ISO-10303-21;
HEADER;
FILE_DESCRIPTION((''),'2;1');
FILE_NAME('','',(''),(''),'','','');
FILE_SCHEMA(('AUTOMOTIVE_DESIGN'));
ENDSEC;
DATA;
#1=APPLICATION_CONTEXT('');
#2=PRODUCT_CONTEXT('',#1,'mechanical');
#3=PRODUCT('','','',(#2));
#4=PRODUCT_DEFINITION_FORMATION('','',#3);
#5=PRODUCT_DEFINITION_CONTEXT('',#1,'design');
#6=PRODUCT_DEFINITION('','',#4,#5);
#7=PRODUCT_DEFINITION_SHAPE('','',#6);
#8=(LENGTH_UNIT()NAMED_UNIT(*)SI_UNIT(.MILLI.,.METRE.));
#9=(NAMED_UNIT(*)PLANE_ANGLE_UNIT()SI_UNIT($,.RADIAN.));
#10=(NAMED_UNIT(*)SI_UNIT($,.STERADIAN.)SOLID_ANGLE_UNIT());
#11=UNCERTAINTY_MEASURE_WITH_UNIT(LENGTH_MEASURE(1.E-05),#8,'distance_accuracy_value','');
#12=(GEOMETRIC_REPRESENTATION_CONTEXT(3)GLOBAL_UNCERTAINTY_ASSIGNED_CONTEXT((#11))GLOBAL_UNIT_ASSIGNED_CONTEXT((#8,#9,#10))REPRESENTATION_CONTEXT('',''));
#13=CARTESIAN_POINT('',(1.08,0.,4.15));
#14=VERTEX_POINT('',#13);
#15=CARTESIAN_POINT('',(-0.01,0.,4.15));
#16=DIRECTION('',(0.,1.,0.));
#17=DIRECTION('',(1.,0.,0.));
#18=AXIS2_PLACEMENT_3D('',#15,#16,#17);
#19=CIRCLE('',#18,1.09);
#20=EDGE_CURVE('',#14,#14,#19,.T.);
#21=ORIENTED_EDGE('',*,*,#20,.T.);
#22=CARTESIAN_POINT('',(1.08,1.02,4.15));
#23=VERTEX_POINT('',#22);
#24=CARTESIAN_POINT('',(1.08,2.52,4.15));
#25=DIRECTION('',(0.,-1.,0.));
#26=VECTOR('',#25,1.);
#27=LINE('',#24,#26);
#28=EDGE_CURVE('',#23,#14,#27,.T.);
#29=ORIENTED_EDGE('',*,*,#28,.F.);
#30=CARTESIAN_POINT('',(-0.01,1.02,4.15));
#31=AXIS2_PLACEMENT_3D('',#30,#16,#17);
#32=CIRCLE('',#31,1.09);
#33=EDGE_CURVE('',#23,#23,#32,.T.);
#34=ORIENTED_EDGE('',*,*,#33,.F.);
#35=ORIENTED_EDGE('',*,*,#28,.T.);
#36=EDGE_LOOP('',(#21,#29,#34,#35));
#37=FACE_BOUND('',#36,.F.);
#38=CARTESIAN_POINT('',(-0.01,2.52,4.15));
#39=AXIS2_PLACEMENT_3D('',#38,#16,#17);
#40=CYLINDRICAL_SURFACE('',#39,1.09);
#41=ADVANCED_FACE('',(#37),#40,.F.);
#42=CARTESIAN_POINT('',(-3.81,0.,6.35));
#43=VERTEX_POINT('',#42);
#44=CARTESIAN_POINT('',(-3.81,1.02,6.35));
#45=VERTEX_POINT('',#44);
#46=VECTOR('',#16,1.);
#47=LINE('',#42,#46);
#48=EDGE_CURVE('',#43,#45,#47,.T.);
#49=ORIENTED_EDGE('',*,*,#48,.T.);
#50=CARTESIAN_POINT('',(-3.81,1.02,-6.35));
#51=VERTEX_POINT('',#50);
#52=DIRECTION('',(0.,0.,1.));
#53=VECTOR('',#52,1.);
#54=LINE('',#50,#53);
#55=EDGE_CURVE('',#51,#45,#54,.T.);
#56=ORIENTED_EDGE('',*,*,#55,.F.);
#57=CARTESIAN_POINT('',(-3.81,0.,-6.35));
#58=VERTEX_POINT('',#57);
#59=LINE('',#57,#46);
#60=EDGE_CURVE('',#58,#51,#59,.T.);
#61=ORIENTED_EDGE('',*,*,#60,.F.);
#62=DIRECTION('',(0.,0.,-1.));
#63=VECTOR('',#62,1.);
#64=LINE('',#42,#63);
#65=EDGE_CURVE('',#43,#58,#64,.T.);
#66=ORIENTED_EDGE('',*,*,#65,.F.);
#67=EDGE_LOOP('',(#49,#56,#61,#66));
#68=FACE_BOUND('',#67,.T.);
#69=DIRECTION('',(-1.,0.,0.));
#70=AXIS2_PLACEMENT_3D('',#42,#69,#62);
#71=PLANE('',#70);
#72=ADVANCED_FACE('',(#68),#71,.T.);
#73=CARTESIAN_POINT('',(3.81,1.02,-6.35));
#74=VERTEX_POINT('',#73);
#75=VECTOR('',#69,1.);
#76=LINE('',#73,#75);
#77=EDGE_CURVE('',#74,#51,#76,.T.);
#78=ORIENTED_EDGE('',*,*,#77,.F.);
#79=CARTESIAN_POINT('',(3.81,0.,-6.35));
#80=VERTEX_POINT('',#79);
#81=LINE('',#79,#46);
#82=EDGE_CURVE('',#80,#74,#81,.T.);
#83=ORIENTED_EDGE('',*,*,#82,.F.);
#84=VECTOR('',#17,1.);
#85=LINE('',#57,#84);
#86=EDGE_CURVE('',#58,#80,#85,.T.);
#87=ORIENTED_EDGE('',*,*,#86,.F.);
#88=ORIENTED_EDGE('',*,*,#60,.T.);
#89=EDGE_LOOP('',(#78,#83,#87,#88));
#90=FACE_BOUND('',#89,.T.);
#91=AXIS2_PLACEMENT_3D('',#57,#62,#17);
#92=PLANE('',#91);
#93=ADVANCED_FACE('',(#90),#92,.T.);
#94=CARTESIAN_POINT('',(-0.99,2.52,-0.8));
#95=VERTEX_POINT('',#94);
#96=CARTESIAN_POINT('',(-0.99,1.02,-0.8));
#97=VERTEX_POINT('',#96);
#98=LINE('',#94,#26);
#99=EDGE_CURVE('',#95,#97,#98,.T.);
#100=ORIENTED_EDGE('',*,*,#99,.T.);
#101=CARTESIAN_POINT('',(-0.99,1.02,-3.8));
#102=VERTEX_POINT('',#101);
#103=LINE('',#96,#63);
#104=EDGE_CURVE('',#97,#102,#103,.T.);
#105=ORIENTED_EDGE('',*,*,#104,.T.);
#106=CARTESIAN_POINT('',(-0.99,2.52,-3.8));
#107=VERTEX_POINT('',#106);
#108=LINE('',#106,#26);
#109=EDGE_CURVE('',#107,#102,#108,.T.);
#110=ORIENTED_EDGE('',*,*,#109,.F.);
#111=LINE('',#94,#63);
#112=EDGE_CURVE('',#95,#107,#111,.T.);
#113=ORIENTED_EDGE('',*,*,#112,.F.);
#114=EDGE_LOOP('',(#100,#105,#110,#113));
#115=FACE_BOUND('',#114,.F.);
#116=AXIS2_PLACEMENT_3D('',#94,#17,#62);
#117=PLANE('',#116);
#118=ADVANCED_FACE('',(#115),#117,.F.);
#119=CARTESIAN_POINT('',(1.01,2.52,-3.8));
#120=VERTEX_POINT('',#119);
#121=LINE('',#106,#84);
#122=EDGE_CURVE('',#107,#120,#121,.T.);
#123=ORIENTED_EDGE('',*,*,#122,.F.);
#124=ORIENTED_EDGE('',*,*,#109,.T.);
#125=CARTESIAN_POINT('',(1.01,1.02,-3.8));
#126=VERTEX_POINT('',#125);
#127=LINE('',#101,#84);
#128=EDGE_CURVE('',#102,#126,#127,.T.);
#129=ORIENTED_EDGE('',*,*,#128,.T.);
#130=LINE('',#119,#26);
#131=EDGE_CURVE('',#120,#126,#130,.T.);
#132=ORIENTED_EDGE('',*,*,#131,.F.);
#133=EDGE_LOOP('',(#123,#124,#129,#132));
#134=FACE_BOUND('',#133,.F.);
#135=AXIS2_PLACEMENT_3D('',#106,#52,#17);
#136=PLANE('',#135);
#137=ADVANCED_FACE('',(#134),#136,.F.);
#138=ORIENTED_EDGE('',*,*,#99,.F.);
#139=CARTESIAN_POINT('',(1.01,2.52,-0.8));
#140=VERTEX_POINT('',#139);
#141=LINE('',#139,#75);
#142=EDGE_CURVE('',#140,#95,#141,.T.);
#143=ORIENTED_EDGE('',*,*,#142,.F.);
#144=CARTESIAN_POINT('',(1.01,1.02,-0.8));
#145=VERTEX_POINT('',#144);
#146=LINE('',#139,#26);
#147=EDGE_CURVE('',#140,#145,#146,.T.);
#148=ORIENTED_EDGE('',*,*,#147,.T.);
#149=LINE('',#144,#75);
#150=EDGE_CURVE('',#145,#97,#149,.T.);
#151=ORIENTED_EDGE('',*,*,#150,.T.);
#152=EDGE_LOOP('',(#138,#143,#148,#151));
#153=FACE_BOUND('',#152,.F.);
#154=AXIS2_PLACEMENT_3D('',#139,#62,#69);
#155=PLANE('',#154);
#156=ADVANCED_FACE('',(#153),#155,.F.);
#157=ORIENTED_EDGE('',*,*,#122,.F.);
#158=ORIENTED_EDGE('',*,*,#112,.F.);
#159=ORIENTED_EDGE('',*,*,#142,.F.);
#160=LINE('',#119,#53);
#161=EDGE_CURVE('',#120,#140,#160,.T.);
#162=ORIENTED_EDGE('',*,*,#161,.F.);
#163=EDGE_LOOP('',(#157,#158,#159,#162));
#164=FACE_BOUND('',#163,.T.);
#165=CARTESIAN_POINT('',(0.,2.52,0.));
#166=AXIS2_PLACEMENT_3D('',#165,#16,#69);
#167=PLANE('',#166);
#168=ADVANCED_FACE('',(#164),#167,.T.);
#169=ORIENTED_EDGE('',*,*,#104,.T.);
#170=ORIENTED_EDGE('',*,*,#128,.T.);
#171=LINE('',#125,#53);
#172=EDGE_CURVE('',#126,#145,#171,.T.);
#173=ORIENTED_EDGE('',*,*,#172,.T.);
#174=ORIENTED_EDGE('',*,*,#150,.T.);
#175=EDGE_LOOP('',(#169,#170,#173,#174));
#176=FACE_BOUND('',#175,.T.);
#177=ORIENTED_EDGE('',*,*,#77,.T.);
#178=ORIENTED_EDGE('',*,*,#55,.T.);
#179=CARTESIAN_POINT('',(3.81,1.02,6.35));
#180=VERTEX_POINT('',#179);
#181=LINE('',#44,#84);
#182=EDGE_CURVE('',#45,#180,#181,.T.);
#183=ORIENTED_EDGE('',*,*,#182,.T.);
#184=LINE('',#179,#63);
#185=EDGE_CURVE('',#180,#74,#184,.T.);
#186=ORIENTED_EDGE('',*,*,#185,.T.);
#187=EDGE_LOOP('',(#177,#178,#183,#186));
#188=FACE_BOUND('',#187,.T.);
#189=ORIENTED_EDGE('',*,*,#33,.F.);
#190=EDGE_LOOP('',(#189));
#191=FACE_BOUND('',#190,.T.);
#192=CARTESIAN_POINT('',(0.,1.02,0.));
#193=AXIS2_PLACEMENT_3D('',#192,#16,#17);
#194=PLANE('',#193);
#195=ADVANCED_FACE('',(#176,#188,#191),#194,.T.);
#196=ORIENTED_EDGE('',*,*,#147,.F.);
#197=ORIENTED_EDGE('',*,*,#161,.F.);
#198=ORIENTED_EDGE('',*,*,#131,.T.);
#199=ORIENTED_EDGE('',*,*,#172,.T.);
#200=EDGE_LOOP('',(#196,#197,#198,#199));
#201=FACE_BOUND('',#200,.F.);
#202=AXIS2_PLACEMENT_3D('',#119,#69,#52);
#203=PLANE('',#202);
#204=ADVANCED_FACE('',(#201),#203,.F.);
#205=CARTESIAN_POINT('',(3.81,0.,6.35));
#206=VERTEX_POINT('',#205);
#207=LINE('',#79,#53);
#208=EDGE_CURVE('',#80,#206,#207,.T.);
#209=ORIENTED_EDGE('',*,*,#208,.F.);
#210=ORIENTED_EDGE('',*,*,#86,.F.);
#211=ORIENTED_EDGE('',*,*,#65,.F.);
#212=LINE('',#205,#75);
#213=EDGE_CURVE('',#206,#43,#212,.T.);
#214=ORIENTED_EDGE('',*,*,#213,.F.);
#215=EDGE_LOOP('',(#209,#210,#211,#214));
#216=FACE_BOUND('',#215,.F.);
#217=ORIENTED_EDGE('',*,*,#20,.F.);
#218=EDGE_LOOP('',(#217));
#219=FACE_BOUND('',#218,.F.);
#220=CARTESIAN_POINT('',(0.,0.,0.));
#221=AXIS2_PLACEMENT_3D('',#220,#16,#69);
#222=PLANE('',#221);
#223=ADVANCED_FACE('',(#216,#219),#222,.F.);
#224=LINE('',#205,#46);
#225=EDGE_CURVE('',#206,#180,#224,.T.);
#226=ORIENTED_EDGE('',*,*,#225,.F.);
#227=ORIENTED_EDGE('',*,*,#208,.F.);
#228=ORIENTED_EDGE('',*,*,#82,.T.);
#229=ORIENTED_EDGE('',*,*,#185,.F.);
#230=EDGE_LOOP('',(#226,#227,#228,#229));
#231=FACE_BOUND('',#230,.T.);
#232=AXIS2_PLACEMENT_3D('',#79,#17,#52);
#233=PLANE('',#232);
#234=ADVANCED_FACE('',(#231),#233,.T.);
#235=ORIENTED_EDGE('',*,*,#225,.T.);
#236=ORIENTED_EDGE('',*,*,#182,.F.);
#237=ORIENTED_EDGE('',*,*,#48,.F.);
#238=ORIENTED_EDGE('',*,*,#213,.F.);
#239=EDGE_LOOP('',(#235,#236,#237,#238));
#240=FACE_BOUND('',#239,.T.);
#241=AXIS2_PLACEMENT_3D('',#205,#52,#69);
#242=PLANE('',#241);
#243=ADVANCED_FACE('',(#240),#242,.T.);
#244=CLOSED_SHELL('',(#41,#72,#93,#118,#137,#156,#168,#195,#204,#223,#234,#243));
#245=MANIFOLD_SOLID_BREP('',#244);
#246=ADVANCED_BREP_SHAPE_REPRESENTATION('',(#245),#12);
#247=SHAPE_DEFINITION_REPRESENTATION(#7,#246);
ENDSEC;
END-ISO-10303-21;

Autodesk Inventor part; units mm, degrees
ref_plane "YZ Plane" through (0, 0, 0) normal (1, 0, 0) x (0, 1, 0)
ref_plane "XZ Plane" through (0, 0, 0) normal (0, 1, 0) x (-1, 0, 0)
ref_plane "XY Plane" through (0, 0, 0) normal (0, 0, 1) x (1, 0, 0)
sketch "Sketch1" plane through (0, 0, 0) normal (0, 1, 0) x (-1, 0, 0)
  line L0 (-3.81, 6.35) -> (3.81, 6.35)
  line L1 (3.81, 6.35) -> (3.81, -6.35)
  line L2 (3.81, -6.35) -> (-3.81, -6.35)
  line L3 (-3.81, -6.35) -> (-3.81, 6.35)
  line L4 (-3.81, 6.35) -> (3.81, -6.35) construction
  line L5 (3.81, 6.35) -> (-3.81, -6.35) construction
  point P0 (0, 0)
  dimension "d0" = 12.7
  dimension "d1" = 7.62
extrude "Extrusion1" add sketch "Sketch1" along normal blind 2.52
sketch "Sketch2" plane through (0, 2.52, 0) normal (0, 1, 0) x (1, 0, 0)
  circle A0 centre (-0.01, -4.15) radius 1.09
  line L0 (-3.81, -6.35) -> (3.81, -6.35) projected
  line L1 (0.99, 3.35) -> (-1.01, 3.35)
  line L2 (-1.01, 3.35) -> (-1.01, 0.35)
  line L3 (-1.01, 0.35) -> (0.99, 0.35)
  line L4 (0.99, 0.35) -> (0.99, 3.35)
  line L5 (0.99, 3.35) -> (-1.01, 0.35) construction
  line L6 (-1.01, 3.35) -> (0.99, 0.35) construction
  line L7 (-3.81, 6.35) -> (-3.81, -6.35) projected
  line L8 (3.81, 6.35) -> (-3.81, 6.35) projected
  point P0 (0, 0)
  point P1 (0, -6.35)
  point P2 (-0.01, 1.85)
  dimension "d4" = 2.18
  dimension "d5" = 2.2
  dimension "d6" = 3
  dimension "d7" = 2
  dimension "d16" = 3.8
  dimension "d17" = 4.5
  dimension "d18" = 3.8
extrude "Extrusion2" cut sketch "Sketch2" against normal through all contours A0
sketch "Sketch3" plane through (0, 2.52, 0) normal (0, 1, 0) x (1, 0, 0)
  line L0 (1.01, 0.8) -> (-0.99, 0.8)
  line L1 (-0.99, 0.8) -> (-0.99, 3.8)
  line L2 (-0.99, 3.8) -> (1.01, 3.8)
  line L3 (1.01, 3.8) -> (1.01, 0.8)
  line L4 (1.01, 0.8) -> (-0.99, 3.8) construction
  line L5 (-0.99, 0.8) -> (1.01, 3.8) construction
  line L6 (3.81, -6.35) -> (3.81, 6.35) projected
  line L7 (-3.81, -6.35) -> (3.81, -6.35) projected
  line L8 (3.81, 6.35) -> (-3.81, 6.35) projected
  line L9 (-3.81, -6.35) -> (3.81, -6.35)
  line L10 (3.81, -6.35) -> (3.81, 6.35)
  line L11 (3.81, 6.35) -> (-3.81, 6.35)
  line L12 (-3.81, 6.35) -> (-3.81, -6.35)
  point P0 (0, 0)
  point P1 (0.01, 2.3)
  dimension "d10" = 3
  dimension "d11" = 2
  dimension "d12" = 2.3
  dimension "d13" = 3.8
extrude "Extrusion3" cut sketch "Sketch3" against normal blind 1.5
properties part number "lightSensor"
